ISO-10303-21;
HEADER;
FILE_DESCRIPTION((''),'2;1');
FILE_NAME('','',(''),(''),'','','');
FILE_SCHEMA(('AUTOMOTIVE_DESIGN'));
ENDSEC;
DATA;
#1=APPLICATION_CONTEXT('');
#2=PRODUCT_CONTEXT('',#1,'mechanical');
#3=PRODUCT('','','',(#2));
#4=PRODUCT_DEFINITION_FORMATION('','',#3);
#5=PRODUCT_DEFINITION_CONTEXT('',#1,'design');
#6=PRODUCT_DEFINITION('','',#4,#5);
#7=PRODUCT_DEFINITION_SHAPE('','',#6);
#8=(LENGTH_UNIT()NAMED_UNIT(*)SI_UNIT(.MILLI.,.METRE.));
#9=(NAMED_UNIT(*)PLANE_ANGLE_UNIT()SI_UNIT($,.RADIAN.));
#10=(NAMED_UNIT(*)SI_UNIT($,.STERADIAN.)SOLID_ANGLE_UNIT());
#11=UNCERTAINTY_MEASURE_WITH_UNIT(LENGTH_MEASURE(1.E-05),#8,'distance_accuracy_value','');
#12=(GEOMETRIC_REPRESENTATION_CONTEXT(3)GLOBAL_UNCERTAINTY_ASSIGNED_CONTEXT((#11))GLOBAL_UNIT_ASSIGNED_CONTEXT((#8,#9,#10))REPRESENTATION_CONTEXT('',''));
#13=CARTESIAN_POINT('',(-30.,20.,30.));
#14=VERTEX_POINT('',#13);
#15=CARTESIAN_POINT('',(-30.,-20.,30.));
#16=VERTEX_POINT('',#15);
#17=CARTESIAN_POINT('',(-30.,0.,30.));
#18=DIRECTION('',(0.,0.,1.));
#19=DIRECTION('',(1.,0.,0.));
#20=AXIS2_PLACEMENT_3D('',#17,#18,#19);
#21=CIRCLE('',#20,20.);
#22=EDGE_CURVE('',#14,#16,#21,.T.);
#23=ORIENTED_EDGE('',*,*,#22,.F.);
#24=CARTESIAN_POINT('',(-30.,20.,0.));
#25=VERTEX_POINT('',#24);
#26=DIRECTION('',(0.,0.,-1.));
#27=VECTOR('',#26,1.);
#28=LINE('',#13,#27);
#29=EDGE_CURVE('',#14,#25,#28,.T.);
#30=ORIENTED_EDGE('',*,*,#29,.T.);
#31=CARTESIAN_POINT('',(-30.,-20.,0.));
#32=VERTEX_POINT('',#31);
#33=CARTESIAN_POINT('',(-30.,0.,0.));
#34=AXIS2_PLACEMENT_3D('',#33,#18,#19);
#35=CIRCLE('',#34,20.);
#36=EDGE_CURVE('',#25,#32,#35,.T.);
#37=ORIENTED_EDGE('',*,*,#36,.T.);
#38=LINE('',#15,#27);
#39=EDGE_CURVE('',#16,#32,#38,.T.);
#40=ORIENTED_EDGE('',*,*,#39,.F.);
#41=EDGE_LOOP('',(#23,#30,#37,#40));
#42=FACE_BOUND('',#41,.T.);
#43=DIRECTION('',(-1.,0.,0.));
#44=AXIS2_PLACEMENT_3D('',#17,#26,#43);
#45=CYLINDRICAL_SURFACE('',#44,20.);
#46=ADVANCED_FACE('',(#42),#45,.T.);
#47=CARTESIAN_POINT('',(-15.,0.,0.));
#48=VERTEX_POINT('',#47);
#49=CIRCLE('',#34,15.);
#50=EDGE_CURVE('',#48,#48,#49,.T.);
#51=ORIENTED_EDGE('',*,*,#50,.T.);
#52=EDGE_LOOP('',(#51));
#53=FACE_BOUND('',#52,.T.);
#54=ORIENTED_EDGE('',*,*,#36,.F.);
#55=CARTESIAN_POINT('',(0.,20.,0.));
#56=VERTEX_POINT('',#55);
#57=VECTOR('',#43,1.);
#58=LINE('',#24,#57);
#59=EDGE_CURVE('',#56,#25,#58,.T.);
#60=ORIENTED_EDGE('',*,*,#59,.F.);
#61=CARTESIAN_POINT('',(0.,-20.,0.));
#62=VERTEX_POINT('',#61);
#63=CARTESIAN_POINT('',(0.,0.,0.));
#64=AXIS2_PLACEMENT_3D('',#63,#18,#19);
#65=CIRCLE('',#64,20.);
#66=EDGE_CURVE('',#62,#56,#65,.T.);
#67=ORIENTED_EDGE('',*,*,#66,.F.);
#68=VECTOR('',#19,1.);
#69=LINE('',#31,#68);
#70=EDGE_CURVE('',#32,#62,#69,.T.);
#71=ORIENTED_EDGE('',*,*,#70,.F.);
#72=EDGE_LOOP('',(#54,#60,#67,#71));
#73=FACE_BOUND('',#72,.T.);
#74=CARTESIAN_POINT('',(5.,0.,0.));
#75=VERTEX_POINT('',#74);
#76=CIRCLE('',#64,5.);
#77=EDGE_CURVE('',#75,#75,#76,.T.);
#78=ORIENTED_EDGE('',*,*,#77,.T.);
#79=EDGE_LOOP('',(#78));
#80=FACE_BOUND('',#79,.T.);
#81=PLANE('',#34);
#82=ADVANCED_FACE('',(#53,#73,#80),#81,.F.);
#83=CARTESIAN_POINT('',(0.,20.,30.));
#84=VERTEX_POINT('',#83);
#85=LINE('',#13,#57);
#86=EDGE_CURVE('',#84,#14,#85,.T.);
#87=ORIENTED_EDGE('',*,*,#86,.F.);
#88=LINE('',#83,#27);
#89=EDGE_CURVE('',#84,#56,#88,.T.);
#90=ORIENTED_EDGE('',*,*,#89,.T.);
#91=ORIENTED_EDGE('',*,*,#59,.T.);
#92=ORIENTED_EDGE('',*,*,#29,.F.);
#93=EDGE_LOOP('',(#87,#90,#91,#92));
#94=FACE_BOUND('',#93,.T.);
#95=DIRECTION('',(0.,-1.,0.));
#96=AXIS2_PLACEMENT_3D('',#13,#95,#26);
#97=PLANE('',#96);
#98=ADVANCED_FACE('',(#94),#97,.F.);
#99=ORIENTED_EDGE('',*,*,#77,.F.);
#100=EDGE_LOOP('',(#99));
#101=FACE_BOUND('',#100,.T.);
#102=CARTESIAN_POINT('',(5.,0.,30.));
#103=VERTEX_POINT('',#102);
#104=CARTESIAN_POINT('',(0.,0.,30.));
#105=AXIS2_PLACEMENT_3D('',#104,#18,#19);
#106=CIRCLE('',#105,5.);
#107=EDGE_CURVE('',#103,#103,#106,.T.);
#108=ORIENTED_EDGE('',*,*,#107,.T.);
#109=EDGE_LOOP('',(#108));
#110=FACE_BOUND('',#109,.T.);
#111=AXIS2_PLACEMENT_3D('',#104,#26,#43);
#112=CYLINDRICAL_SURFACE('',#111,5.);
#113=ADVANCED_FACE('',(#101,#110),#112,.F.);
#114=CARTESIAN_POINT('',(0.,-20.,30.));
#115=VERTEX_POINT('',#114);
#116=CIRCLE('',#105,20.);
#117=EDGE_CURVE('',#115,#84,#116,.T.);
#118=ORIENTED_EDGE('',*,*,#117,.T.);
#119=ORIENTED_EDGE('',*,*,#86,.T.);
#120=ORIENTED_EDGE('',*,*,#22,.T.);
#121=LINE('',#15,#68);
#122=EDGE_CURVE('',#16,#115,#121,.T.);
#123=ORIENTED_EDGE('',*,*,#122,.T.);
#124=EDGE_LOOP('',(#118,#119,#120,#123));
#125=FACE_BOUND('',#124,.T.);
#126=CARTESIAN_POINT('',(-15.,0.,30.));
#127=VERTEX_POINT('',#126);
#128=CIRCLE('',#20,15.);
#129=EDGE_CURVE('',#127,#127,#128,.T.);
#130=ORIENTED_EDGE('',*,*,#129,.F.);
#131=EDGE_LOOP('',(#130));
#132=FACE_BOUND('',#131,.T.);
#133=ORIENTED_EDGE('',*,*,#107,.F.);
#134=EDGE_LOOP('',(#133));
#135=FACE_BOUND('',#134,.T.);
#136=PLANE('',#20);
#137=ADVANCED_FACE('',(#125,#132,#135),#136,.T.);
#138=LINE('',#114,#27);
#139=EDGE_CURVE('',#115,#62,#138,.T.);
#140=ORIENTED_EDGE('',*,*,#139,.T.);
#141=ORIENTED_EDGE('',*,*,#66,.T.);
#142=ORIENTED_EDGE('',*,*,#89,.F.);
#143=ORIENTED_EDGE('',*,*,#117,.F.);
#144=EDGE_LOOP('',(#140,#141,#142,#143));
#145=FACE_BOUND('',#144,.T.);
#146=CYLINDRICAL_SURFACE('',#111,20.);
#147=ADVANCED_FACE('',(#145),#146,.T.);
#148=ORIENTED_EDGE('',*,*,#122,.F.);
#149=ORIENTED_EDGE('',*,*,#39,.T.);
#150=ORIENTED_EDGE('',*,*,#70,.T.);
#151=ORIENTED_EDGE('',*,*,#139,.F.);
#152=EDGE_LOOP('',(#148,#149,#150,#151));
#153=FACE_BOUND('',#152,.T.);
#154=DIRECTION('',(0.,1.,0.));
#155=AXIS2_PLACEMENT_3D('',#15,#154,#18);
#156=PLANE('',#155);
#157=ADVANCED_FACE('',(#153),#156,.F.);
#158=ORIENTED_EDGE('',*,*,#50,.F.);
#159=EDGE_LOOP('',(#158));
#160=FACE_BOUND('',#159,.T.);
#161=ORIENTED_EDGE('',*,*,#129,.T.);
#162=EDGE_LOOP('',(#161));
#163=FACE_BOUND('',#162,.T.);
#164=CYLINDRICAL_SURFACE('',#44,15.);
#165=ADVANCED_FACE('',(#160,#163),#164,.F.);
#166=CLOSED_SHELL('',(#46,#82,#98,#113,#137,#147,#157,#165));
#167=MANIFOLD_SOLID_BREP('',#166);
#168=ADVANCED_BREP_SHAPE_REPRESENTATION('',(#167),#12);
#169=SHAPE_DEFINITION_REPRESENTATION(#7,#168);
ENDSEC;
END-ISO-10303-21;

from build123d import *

# Parameters (mm, degrees)
BOSS_EXTRUDE1_DEPTH = 30
SKETCH2_R           = 15
SKETCH2_R_2         = 5
CUT_EXTRUDE1_DEPTH  = 62.64414003


with BuildPart() as part:
    # Sketch1 → Boss-Extrude1 (new body)
    with BuildSketch(Plane.XY):
        with BuildLine():
            Line((-30, 20), (0, 20))
            ThreePointArc((0, 20), (20, 0), (0, -20))
            Line((0, -20), (-30, -20))
            ThreePointArc((-30, -20), (-50, 0), (-30, 20))
        make_face()
    extrude(amount=BOSS_EXTRUDE1_DEPTH)

    # Sketch2 → Cut-Extrude1 (cut, through all)
    with BuildSketch(Plane.XY):
        with Locations((-30, 0)):
            Circle(SKETCH2_R)
        Circle(SKETCH2_R_2)
    extrude(amount=CUT_EXTRUDE1_DEPTH, mode=Mode.SUBTRACT)


solid = part.part
